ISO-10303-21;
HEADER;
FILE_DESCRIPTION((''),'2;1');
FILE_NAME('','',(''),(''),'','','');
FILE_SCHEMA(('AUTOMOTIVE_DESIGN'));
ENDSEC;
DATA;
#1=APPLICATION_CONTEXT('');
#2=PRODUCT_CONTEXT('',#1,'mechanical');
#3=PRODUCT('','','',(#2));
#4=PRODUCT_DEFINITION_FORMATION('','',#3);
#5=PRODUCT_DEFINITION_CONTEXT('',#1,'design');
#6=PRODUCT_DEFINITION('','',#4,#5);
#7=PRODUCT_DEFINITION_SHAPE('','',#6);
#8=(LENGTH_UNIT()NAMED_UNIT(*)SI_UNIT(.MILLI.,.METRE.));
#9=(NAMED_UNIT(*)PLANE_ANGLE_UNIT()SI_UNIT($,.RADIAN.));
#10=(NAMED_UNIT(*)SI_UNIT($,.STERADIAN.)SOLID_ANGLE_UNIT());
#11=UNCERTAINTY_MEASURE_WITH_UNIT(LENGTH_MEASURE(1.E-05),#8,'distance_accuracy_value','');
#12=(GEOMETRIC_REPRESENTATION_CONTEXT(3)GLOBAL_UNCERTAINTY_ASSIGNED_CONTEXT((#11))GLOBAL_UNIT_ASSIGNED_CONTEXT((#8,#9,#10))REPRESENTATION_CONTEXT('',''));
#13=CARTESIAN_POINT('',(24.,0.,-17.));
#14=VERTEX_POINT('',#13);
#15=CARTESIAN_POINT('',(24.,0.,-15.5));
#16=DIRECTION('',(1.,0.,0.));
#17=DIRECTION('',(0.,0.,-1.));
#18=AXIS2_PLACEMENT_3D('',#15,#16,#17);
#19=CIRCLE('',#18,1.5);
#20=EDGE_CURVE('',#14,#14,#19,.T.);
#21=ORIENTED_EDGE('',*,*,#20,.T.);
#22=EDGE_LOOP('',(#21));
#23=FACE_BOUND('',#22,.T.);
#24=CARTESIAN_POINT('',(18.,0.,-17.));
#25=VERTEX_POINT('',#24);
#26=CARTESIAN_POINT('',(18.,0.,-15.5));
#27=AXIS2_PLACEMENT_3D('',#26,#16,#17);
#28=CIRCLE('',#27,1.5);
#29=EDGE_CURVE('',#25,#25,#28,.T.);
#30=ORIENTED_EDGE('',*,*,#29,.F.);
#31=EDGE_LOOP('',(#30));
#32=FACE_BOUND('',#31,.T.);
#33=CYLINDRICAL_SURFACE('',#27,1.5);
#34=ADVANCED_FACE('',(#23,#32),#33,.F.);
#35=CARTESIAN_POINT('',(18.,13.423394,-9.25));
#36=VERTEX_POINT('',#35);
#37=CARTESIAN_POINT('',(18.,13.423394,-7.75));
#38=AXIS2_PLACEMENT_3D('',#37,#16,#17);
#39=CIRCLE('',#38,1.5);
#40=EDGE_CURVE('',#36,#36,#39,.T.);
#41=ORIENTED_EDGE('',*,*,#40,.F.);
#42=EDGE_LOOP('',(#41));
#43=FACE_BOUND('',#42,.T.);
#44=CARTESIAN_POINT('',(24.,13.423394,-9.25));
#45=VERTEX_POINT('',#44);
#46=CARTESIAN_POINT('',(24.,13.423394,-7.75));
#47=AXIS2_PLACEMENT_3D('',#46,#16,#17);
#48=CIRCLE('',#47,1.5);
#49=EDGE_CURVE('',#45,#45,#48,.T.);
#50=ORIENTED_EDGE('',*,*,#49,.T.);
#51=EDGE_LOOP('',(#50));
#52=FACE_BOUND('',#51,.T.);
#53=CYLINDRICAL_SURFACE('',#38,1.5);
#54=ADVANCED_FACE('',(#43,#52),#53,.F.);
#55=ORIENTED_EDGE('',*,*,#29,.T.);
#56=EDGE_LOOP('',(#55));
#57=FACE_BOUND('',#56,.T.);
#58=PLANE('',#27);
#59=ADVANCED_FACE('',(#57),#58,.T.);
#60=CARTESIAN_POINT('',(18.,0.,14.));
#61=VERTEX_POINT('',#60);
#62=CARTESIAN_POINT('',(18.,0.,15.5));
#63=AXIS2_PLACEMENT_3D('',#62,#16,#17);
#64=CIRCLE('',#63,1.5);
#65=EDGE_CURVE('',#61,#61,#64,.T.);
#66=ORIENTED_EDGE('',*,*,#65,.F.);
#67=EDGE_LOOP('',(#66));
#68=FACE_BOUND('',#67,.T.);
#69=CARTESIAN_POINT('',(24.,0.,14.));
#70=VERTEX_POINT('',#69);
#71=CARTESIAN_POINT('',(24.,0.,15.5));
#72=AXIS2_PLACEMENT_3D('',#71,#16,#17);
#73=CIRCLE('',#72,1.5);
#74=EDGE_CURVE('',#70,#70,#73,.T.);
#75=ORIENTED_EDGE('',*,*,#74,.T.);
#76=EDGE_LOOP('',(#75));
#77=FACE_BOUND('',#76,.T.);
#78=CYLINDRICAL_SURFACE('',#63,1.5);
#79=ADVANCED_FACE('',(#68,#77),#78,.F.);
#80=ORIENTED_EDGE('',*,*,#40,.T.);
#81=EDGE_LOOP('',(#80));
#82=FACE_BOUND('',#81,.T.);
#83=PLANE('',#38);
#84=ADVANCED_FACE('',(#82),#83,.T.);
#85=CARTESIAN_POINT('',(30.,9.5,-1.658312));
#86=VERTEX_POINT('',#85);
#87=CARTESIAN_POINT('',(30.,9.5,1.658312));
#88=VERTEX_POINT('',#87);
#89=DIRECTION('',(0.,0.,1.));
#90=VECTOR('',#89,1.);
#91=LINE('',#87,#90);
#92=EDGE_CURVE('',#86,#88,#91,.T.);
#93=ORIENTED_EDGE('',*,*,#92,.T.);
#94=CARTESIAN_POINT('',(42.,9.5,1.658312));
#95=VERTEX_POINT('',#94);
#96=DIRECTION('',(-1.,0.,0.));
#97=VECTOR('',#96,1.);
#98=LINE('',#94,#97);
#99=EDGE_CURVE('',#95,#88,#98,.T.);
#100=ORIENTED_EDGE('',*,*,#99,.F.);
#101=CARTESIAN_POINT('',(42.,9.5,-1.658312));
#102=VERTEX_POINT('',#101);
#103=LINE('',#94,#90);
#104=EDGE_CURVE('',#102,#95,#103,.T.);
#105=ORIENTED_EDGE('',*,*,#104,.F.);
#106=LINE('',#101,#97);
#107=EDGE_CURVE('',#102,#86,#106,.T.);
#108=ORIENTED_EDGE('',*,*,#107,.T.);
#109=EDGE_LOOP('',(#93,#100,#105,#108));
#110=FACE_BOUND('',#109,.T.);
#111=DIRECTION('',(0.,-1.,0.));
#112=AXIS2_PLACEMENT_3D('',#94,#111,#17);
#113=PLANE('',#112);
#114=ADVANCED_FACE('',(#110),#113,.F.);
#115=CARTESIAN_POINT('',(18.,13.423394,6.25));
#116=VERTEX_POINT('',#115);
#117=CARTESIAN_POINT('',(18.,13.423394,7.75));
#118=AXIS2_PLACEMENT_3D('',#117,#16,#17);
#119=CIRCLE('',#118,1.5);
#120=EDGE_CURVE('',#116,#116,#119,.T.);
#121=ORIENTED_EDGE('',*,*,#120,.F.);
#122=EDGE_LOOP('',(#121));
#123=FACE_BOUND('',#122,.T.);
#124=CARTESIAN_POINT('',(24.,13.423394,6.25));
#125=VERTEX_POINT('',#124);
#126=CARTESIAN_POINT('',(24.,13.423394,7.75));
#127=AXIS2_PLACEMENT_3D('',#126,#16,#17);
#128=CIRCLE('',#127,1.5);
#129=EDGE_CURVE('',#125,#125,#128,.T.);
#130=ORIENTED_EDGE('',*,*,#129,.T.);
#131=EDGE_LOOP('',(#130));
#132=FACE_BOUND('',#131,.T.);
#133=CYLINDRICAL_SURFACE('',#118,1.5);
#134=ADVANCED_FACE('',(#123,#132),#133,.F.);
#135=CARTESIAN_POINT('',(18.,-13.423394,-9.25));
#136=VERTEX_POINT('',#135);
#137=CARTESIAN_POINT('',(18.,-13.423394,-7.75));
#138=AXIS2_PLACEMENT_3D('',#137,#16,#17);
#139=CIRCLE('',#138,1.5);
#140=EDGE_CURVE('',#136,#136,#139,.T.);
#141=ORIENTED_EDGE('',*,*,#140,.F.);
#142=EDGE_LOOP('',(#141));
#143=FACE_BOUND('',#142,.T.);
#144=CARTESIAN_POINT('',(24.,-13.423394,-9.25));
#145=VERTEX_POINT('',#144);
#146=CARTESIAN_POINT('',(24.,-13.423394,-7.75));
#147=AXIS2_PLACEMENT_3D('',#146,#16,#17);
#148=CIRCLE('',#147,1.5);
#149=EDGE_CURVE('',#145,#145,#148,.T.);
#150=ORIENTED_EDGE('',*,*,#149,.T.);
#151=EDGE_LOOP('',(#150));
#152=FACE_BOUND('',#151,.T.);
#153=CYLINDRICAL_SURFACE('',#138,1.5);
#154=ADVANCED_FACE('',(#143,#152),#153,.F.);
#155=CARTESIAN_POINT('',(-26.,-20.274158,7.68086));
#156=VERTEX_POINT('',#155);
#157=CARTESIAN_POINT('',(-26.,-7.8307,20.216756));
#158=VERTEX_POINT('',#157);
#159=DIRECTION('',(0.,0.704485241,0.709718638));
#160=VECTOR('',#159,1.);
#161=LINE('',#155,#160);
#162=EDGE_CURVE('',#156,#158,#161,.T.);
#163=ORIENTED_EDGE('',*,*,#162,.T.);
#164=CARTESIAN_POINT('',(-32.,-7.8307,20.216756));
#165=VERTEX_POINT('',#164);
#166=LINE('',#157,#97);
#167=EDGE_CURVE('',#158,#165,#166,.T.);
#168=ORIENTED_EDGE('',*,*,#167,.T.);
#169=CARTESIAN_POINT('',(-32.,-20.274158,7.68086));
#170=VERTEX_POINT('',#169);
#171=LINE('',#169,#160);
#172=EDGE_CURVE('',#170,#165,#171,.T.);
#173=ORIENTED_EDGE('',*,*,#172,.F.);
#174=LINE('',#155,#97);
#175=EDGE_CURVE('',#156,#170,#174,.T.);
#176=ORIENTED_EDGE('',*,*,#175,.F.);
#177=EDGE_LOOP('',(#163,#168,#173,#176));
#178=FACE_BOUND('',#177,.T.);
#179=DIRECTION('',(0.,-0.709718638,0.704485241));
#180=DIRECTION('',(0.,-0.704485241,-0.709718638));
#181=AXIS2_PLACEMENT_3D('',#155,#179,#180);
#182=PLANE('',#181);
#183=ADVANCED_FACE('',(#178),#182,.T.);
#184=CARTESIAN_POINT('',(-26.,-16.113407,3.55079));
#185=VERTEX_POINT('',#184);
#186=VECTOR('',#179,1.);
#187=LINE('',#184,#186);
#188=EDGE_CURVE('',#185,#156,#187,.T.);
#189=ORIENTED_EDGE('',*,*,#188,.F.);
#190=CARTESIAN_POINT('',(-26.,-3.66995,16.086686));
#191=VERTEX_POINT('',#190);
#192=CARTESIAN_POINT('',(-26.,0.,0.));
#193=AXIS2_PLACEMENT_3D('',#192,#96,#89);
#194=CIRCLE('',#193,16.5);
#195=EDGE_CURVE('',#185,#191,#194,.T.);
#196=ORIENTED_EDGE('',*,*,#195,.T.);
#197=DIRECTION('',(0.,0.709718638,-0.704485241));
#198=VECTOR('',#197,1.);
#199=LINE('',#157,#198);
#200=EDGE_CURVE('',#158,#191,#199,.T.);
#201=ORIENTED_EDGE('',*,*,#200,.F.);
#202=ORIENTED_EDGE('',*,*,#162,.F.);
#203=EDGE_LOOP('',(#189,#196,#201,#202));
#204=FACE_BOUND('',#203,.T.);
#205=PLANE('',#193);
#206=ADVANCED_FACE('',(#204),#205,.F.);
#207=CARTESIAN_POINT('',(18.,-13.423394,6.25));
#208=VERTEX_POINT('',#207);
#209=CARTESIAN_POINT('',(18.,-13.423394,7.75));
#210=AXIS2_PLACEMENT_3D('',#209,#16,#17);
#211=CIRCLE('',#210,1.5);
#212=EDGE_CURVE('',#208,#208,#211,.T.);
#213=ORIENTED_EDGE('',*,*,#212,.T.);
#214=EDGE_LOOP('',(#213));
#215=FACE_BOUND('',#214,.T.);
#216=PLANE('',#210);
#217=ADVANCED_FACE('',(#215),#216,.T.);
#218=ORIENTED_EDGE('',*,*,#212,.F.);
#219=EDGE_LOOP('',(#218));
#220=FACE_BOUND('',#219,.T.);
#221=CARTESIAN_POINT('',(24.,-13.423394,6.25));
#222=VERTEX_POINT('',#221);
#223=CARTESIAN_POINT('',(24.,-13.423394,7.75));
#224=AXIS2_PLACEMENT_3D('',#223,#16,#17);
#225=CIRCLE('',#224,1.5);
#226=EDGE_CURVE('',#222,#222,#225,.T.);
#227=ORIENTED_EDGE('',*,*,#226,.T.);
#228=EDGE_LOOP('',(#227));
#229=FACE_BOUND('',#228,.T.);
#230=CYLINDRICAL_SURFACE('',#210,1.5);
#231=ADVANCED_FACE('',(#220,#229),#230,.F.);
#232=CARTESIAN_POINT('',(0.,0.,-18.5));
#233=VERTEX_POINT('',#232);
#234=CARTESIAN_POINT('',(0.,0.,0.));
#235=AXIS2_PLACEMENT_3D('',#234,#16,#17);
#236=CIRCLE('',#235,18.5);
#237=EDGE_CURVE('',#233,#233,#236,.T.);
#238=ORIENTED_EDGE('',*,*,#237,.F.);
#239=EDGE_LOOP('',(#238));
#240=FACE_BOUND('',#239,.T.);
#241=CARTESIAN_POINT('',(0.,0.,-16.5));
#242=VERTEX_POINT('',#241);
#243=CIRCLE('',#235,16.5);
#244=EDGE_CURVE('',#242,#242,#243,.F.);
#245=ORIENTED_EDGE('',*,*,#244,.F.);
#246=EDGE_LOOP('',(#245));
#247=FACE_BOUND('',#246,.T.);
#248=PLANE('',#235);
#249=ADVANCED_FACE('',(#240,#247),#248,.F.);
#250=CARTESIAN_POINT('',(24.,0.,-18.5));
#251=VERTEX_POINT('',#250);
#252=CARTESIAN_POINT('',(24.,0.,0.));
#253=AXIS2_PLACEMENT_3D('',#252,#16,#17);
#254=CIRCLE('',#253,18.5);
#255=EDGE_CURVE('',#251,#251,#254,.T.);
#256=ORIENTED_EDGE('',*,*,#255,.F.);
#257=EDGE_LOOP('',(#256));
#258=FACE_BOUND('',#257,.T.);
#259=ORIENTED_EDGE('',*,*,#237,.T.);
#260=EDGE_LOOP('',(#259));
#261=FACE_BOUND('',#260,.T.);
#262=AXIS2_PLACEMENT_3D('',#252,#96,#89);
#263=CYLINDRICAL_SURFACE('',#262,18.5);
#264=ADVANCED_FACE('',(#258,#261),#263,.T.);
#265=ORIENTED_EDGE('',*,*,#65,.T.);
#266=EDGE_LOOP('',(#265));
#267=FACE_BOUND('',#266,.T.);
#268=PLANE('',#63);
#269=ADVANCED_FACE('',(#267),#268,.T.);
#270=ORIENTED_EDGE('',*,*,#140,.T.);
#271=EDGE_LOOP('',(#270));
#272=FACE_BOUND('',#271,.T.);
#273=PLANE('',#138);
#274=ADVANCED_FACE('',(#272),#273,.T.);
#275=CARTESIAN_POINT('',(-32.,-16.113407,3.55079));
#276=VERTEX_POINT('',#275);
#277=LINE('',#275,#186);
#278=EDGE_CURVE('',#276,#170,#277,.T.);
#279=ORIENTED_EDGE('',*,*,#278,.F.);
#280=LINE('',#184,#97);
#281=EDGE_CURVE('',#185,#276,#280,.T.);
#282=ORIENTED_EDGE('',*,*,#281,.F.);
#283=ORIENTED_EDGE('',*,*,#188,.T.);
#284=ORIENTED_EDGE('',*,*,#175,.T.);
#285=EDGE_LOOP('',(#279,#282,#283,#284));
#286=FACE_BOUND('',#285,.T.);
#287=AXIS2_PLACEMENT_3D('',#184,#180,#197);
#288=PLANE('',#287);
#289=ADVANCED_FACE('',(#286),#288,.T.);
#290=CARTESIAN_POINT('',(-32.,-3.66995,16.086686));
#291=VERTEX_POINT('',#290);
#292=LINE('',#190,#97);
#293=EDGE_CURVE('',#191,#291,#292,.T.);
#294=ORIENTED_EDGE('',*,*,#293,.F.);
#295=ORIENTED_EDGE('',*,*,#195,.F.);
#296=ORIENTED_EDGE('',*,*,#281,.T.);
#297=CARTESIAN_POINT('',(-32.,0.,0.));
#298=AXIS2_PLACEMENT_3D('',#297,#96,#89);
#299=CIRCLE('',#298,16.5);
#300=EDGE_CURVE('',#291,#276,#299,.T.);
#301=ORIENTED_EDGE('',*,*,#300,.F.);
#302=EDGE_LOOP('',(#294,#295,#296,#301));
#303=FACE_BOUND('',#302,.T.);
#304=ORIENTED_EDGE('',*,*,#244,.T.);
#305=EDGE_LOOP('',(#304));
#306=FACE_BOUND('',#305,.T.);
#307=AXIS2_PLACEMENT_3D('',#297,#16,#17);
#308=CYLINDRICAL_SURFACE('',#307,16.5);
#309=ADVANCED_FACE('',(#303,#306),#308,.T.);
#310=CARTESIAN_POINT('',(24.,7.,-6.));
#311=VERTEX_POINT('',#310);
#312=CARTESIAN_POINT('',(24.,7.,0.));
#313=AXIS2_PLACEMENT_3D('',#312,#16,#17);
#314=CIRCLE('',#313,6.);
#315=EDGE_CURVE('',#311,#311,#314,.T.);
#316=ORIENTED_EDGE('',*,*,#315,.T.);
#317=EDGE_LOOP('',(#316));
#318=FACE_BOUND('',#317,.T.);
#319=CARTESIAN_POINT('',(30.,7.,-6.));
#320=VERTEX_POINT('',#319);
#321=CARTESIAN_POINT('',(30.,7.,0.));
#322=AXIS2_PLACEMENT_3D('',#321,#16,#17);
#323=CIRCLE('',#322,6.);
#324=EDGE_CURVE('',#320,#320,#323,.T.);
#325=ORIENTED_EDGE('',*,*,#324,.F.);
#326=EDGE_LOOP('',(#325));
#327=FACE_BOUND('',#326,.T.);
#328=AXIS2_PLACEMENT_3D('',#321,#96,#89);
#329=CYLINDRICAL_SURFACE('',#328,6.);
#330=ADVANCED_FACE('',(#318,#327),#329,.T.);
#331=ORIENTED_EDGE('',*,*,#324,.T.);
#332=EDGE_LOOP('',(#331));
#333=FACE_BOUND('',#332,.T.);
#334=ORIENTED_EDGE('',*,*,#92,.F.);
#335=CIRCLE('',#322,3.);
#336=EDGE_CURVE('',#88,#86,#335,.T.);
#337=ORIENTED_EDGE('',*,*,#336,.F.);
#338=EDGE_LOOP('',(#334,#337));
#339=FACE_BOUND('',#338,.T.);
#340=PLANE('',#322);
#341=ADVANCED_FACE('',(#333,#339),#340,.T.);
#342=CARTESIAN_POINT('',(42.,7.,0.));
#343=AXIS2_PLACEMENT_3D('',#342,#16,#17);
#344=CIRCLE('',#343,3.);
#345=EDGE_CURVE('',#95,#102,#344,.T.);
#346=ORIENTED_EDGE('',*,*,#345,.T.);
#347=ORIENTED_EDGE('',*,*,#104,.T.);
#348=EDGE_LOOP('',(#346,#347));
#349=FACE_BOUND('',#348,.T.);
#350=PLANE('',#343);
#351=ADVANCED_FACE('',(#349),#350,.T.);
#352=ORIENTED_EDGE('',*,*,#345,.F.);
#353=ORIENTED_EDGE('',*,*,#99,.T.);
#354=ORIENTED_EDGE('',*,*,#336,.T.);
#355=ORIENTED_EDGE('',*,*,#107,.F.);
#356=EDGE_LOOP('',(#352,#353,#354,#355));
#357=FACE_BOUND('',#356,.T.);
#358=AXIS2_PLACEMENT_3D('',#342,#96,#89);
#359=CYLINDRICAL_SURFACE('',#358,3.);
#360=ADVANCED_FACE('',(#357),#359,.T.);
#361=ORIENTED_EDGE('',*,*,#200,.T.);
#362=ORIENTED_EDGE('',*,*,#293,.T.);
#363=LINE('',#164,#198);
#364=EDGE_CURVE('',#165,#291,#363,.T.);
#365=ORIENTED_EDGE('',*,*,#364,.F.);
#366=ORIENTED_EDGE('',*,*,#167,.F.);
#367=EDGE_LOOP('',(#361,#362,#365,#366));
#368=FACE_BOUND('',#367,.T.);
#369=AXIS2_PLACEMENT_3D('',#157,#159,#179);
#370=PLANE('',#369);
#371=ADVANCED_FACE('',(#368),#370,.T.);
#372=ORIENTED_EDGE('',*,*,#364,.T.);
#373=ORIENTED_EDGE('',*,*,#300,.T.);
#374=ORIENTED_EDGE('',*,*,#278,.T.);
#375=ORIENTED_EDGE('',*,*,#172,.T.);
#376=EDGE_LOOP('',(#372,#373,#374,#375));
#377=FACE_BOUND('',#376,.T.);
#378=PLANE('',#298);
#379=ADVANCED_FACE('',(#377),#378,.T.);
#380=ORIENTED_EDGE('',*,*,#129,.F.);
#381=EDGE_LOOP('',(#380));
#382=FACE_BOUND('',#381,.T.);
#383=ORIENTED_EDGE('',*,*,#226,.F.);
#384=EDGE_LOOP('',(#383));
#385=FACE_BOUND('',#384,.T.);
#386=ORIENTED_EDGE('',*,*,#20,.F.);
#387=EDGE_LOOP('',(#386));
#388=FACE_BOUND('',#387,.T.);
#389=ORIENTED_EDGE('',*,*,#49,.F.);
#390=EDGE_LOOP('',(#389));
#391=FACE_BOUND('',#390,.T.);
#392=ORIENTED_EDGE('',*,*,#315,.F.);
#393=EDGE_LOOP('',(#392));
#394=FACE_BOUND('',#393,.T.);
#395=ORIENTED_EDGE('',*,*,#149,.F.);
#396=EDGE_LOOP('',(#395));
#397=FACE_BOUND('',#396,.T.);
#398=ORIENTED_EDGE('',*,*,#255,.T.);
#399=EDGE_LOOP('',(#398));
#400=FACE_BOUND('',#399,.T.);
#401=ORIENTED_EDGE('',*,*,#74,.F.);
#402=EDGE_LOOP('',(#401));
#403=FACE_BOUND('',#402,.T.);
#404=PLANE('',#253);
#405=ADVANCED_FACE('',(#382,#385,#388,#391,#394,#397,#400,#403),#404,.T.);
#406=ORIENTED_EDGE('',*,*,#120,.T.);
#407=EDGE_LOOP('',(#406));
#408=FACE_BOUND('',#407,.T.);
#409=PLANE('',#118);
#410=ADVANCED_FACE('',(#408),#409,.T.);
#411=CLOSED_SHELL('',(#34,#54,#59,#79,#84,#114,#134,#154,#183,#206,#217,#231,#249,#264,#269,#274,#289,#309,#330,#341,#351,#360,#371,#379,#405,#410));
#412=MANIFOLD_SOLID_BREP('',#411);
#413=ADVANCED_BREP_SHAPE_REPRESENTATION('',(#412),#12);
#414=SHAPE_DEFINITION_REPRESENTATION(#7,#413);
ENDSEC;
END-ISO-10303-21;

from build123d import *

# Parameters (mm, degrees)
SKETCH_1_R          = 18.5
EXTRUDE_1_DEPTH     = 24
SKETCH_2_R          = 16.5
EXTRUDE_2_DEPTH     = 32
SKETCH_4_R          = 1.5
CUT_EXTRUDE_1_DEPTH = 6
SKETCH_5_R          = 6
EXTRUDE_3_DEPTH     = 6
EXTRUDE_4_DEPTH     = 12
EXTRUDE_5_DEPTH     = 6


with BuildPart() as part:
    # 草图1 → 凸台-拉伸1 (new body)
    with BuildSketch(Plane(origin=(0, 0, 0), x_dir=(0, 0, -1), z_dir=(1, 0, 0))):
        Circle(SKETCH_1_R)
    extrude(amount=EXTRUDE_1_DEPTH)

    # 草图2 → 凸台-拉伸2 (add)
    with BuildSketch(Plane.ZY):
        Circle(SKETCH_2_R)
    extrude(amount=EXTRUDE_2_DEPTH)

    # 草图4 → 切除-拉伸1 (cut)
    with BuildSketch(Plane(origin=(24, 0, 0), x_dir=(0, 0, -1), z_dir=(1, 0, 0))):
        with Locations((15.5, 0)):
            Circle(SKETCH_4_R)
        with Locations((7.75, -13.423393759)):
            Circle(SKETCH_4_R)
        with Locations((-7.75, -13.423393759)):
            Circle(SKETCH_4_R)
        with Locations((-15.5, 0)):
            Circle(SKETCH_4_R)
        with Locations((-7.75, 13.423393759)):
            Circle(SKETCH_4_R)
        with Locations((7.75, 13.423393759)):
            Circle(SKETCH_4_R)
    extrude(amount=-CUT_EXTRUDE_1_DEPTH, mode=Mode.SUBTRACT)

    # 草图5 → 凸台-拉伸3 (add)
    with BuildSketch(Plane(origin=(24, 0, 0), x_dir=(0, 0, -1), z_dir=(1, 0, 0))):
        with Locations((0, 7)):
            Circle(SKETCH_5_R)
    extrude(amount=EXTRUDE_3_DEPTH)

    # 草图6 → 凸台-拉伸4 (add)
    with BuildSketch(Plane(origin=(30, 0, 0), x_dir=(0, 0, -1), z_dir=(1, 0, 0))):
        with BuildLine():
            Line((-1.658312395, 9.5), (1.658312395, 9.5))
            ThreePointArc((1.658312395, 9.5), (0, 4), (-1.658312395, 9.5))
        make_face()
    extrude(amount=EXTRUDE_4_DEPTH)

    # 草图7 → 凸台-拉伸5 (add)
    with BuildSketch(Plane.ZY.offset(32)):
        Polygon((7.680859807, -20.274157757), (20.216755747, -7.8307003), (16.086686091, -3.669949673), (3.550790151, -16.113407129), align=None)
    extrude(amount=-EXTRUDE_5_DEPTH)


solid = part.part
